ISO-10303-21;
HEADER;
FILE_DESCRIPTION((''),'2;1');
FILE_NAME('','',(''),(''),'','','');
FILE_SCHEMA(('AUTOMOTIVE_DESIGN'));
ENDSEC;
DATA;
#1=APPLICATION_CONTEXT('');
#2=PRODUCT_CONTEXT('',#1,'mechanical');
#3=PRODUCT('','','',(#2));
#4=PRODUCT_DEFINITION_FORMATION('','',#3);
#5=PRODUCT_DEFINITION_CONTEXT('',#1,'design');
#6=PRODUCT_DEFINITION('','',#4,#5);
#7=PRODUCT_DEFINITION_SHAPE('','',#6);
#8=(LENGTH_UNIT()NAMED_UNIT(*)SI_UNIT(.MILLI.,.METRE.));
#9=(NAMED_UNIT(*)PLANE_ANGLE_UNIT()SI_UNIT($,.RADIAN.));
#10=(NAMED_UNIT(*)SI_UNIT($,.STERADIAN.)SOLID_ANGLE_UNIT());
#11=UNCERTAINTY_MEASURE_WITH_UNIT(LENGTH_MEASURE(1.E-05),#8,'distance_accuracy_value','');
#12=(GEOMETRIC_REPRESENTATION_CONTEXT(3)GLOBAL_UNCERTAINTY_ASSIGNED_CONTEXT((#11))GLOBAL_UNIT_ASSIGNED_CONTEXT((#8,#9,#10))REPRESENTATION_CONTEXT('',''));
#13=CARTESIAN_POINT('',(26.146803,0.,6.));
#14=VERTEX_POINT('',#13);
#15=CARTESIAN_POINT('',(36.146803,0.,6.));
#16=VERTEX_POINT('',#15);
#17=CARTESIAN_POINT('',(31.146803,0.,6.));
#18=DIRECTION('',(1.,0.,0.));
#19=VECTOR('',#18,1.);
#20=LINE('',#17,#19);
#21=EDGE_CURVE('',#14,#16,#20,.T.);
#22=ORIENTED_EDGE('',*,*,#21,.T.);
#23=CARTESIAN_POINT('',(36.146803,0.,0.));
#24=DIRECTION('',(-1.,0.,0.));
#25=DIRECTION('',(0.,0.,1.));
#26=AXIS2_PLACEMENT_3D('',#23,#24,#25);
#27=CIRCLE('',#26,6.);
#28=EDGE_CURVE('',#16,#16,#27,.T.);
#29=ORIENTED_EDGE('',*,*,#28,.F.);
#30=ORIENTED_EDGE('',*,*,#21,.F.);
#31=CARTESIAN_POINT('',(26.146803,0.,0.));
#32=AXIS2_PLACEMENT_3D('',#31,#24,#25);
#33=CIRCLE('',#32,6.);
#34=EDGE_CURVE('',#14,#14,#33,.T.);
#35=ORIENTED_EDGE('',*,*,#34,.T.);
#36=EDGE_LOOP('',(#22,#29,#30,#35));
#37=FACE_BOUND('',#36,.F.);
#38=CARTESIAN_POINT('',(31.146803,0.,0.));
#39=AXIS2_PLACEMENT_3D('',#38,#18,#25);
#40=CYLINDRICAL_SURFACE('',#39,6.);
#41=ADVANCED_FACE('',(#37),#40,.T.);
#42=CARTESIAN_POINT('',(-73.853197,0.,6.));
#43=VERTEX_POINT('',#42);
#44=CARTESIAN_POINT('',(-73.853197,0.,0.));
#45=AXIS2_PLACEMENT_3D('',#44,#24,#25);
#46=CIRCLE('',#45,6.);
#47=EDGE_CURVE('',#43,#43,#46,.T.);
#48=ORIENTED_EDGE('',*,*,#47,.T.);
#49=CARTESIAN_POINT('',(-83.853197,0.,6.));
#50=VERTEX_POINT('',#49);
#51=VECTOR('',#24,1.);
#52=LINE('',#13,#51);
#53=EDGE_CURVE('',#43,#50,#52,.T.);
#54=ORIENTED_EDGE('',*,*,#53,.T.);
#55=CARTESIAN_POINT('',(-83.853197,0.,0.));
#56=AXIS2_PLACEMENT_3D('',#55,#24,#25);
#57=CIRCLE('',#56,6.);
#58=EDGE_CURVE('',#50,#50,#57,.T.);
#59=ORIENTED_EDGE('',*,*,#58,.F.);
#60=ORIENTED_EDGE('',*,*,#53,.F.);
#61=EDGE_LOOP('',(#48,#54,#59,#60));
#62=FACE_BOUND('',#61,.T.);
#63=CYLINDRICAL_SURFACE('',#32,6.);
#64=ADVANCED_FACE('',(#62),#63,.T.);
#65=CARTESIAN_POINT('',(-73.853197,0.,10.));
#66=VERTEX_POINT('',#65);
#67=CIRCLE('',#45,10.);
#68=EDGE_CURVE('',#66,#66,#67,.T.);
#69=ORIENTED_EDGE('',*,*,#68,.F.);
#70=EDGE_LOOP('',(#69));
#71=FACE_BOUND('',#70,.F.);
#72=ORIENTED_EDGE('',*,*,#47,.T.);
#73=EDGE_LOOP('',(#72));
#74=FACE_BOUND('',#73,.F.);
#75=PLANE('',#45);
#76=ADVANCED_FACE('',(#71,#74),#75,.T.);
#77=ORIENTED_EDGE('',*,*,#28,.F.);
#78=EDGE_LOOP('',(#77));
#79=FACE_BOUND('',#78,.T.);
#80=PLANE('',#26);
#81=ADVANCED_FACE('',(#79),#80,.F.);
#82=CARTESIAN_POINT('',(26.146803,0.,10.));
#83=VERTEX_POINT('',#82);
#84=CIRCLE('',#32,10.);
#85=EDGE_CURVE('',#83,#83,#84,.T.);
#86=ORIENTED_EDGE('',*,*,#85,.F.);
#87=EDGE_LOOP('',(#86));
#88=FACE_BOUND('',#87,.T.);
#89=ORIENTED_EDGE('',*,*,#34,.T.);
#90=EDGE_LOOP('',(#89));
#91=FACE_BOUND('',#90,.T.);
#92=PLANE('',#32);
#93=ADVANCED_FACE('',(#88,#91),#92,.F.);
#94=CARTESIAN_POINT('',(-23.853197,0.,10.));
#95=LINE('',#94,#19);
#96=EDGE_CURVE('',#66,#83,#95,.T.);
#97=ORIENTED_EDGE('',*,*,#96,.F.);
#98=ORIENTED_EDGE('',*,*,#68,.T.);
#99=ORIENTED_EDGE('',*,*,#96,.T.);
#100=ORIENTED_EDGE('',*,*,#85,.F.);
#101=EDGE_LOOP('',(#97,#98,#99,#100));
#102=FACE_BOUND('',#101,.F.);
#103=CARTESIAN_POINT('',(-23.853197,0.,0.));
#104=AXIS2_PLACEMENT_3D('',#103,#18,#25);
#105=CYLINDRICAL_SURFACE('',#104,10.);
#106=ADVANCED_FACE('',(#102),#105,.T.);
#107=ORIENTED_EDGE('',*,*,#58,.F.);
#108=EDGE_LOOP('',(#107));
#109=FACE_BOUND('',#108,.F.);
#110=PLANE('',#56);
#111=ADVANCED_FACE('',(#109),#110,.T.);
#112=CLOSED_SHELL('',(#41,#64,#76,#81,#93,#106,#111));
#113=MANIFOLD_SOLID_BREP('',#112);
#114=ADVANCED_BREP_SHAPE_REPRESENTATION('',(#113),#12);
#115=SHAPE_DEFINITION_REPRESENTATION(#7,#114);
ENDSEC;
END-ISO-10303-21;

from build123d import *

# Parameters (mm, degrees)
F0_W   = 10
F0_H   = 6
F0_W_2 = 100
F0_H_2 = 4


with BuildPart() as f1:
    # F0 (on Front) → F1 (revolve)
    with BuildSketch(Plane.XZ):
        with Locations((-78.853197, 3)):
            Rectangle(F0_W, F0_H)
        with Locations((-23.853197, 3)):
            Rectangle(F0_W_2, F0_H)
        with Locations((-23.853197, 8)):
            Rectangle(F0_W_2, F0_H_2)
        with Locations((31.146803, 3)):
            Rectangle(F0_W, F0_H)
    revolve(axis=Axis((-20.366968, 0, 0), (-1, 0, 0)))


solid = f1.part
